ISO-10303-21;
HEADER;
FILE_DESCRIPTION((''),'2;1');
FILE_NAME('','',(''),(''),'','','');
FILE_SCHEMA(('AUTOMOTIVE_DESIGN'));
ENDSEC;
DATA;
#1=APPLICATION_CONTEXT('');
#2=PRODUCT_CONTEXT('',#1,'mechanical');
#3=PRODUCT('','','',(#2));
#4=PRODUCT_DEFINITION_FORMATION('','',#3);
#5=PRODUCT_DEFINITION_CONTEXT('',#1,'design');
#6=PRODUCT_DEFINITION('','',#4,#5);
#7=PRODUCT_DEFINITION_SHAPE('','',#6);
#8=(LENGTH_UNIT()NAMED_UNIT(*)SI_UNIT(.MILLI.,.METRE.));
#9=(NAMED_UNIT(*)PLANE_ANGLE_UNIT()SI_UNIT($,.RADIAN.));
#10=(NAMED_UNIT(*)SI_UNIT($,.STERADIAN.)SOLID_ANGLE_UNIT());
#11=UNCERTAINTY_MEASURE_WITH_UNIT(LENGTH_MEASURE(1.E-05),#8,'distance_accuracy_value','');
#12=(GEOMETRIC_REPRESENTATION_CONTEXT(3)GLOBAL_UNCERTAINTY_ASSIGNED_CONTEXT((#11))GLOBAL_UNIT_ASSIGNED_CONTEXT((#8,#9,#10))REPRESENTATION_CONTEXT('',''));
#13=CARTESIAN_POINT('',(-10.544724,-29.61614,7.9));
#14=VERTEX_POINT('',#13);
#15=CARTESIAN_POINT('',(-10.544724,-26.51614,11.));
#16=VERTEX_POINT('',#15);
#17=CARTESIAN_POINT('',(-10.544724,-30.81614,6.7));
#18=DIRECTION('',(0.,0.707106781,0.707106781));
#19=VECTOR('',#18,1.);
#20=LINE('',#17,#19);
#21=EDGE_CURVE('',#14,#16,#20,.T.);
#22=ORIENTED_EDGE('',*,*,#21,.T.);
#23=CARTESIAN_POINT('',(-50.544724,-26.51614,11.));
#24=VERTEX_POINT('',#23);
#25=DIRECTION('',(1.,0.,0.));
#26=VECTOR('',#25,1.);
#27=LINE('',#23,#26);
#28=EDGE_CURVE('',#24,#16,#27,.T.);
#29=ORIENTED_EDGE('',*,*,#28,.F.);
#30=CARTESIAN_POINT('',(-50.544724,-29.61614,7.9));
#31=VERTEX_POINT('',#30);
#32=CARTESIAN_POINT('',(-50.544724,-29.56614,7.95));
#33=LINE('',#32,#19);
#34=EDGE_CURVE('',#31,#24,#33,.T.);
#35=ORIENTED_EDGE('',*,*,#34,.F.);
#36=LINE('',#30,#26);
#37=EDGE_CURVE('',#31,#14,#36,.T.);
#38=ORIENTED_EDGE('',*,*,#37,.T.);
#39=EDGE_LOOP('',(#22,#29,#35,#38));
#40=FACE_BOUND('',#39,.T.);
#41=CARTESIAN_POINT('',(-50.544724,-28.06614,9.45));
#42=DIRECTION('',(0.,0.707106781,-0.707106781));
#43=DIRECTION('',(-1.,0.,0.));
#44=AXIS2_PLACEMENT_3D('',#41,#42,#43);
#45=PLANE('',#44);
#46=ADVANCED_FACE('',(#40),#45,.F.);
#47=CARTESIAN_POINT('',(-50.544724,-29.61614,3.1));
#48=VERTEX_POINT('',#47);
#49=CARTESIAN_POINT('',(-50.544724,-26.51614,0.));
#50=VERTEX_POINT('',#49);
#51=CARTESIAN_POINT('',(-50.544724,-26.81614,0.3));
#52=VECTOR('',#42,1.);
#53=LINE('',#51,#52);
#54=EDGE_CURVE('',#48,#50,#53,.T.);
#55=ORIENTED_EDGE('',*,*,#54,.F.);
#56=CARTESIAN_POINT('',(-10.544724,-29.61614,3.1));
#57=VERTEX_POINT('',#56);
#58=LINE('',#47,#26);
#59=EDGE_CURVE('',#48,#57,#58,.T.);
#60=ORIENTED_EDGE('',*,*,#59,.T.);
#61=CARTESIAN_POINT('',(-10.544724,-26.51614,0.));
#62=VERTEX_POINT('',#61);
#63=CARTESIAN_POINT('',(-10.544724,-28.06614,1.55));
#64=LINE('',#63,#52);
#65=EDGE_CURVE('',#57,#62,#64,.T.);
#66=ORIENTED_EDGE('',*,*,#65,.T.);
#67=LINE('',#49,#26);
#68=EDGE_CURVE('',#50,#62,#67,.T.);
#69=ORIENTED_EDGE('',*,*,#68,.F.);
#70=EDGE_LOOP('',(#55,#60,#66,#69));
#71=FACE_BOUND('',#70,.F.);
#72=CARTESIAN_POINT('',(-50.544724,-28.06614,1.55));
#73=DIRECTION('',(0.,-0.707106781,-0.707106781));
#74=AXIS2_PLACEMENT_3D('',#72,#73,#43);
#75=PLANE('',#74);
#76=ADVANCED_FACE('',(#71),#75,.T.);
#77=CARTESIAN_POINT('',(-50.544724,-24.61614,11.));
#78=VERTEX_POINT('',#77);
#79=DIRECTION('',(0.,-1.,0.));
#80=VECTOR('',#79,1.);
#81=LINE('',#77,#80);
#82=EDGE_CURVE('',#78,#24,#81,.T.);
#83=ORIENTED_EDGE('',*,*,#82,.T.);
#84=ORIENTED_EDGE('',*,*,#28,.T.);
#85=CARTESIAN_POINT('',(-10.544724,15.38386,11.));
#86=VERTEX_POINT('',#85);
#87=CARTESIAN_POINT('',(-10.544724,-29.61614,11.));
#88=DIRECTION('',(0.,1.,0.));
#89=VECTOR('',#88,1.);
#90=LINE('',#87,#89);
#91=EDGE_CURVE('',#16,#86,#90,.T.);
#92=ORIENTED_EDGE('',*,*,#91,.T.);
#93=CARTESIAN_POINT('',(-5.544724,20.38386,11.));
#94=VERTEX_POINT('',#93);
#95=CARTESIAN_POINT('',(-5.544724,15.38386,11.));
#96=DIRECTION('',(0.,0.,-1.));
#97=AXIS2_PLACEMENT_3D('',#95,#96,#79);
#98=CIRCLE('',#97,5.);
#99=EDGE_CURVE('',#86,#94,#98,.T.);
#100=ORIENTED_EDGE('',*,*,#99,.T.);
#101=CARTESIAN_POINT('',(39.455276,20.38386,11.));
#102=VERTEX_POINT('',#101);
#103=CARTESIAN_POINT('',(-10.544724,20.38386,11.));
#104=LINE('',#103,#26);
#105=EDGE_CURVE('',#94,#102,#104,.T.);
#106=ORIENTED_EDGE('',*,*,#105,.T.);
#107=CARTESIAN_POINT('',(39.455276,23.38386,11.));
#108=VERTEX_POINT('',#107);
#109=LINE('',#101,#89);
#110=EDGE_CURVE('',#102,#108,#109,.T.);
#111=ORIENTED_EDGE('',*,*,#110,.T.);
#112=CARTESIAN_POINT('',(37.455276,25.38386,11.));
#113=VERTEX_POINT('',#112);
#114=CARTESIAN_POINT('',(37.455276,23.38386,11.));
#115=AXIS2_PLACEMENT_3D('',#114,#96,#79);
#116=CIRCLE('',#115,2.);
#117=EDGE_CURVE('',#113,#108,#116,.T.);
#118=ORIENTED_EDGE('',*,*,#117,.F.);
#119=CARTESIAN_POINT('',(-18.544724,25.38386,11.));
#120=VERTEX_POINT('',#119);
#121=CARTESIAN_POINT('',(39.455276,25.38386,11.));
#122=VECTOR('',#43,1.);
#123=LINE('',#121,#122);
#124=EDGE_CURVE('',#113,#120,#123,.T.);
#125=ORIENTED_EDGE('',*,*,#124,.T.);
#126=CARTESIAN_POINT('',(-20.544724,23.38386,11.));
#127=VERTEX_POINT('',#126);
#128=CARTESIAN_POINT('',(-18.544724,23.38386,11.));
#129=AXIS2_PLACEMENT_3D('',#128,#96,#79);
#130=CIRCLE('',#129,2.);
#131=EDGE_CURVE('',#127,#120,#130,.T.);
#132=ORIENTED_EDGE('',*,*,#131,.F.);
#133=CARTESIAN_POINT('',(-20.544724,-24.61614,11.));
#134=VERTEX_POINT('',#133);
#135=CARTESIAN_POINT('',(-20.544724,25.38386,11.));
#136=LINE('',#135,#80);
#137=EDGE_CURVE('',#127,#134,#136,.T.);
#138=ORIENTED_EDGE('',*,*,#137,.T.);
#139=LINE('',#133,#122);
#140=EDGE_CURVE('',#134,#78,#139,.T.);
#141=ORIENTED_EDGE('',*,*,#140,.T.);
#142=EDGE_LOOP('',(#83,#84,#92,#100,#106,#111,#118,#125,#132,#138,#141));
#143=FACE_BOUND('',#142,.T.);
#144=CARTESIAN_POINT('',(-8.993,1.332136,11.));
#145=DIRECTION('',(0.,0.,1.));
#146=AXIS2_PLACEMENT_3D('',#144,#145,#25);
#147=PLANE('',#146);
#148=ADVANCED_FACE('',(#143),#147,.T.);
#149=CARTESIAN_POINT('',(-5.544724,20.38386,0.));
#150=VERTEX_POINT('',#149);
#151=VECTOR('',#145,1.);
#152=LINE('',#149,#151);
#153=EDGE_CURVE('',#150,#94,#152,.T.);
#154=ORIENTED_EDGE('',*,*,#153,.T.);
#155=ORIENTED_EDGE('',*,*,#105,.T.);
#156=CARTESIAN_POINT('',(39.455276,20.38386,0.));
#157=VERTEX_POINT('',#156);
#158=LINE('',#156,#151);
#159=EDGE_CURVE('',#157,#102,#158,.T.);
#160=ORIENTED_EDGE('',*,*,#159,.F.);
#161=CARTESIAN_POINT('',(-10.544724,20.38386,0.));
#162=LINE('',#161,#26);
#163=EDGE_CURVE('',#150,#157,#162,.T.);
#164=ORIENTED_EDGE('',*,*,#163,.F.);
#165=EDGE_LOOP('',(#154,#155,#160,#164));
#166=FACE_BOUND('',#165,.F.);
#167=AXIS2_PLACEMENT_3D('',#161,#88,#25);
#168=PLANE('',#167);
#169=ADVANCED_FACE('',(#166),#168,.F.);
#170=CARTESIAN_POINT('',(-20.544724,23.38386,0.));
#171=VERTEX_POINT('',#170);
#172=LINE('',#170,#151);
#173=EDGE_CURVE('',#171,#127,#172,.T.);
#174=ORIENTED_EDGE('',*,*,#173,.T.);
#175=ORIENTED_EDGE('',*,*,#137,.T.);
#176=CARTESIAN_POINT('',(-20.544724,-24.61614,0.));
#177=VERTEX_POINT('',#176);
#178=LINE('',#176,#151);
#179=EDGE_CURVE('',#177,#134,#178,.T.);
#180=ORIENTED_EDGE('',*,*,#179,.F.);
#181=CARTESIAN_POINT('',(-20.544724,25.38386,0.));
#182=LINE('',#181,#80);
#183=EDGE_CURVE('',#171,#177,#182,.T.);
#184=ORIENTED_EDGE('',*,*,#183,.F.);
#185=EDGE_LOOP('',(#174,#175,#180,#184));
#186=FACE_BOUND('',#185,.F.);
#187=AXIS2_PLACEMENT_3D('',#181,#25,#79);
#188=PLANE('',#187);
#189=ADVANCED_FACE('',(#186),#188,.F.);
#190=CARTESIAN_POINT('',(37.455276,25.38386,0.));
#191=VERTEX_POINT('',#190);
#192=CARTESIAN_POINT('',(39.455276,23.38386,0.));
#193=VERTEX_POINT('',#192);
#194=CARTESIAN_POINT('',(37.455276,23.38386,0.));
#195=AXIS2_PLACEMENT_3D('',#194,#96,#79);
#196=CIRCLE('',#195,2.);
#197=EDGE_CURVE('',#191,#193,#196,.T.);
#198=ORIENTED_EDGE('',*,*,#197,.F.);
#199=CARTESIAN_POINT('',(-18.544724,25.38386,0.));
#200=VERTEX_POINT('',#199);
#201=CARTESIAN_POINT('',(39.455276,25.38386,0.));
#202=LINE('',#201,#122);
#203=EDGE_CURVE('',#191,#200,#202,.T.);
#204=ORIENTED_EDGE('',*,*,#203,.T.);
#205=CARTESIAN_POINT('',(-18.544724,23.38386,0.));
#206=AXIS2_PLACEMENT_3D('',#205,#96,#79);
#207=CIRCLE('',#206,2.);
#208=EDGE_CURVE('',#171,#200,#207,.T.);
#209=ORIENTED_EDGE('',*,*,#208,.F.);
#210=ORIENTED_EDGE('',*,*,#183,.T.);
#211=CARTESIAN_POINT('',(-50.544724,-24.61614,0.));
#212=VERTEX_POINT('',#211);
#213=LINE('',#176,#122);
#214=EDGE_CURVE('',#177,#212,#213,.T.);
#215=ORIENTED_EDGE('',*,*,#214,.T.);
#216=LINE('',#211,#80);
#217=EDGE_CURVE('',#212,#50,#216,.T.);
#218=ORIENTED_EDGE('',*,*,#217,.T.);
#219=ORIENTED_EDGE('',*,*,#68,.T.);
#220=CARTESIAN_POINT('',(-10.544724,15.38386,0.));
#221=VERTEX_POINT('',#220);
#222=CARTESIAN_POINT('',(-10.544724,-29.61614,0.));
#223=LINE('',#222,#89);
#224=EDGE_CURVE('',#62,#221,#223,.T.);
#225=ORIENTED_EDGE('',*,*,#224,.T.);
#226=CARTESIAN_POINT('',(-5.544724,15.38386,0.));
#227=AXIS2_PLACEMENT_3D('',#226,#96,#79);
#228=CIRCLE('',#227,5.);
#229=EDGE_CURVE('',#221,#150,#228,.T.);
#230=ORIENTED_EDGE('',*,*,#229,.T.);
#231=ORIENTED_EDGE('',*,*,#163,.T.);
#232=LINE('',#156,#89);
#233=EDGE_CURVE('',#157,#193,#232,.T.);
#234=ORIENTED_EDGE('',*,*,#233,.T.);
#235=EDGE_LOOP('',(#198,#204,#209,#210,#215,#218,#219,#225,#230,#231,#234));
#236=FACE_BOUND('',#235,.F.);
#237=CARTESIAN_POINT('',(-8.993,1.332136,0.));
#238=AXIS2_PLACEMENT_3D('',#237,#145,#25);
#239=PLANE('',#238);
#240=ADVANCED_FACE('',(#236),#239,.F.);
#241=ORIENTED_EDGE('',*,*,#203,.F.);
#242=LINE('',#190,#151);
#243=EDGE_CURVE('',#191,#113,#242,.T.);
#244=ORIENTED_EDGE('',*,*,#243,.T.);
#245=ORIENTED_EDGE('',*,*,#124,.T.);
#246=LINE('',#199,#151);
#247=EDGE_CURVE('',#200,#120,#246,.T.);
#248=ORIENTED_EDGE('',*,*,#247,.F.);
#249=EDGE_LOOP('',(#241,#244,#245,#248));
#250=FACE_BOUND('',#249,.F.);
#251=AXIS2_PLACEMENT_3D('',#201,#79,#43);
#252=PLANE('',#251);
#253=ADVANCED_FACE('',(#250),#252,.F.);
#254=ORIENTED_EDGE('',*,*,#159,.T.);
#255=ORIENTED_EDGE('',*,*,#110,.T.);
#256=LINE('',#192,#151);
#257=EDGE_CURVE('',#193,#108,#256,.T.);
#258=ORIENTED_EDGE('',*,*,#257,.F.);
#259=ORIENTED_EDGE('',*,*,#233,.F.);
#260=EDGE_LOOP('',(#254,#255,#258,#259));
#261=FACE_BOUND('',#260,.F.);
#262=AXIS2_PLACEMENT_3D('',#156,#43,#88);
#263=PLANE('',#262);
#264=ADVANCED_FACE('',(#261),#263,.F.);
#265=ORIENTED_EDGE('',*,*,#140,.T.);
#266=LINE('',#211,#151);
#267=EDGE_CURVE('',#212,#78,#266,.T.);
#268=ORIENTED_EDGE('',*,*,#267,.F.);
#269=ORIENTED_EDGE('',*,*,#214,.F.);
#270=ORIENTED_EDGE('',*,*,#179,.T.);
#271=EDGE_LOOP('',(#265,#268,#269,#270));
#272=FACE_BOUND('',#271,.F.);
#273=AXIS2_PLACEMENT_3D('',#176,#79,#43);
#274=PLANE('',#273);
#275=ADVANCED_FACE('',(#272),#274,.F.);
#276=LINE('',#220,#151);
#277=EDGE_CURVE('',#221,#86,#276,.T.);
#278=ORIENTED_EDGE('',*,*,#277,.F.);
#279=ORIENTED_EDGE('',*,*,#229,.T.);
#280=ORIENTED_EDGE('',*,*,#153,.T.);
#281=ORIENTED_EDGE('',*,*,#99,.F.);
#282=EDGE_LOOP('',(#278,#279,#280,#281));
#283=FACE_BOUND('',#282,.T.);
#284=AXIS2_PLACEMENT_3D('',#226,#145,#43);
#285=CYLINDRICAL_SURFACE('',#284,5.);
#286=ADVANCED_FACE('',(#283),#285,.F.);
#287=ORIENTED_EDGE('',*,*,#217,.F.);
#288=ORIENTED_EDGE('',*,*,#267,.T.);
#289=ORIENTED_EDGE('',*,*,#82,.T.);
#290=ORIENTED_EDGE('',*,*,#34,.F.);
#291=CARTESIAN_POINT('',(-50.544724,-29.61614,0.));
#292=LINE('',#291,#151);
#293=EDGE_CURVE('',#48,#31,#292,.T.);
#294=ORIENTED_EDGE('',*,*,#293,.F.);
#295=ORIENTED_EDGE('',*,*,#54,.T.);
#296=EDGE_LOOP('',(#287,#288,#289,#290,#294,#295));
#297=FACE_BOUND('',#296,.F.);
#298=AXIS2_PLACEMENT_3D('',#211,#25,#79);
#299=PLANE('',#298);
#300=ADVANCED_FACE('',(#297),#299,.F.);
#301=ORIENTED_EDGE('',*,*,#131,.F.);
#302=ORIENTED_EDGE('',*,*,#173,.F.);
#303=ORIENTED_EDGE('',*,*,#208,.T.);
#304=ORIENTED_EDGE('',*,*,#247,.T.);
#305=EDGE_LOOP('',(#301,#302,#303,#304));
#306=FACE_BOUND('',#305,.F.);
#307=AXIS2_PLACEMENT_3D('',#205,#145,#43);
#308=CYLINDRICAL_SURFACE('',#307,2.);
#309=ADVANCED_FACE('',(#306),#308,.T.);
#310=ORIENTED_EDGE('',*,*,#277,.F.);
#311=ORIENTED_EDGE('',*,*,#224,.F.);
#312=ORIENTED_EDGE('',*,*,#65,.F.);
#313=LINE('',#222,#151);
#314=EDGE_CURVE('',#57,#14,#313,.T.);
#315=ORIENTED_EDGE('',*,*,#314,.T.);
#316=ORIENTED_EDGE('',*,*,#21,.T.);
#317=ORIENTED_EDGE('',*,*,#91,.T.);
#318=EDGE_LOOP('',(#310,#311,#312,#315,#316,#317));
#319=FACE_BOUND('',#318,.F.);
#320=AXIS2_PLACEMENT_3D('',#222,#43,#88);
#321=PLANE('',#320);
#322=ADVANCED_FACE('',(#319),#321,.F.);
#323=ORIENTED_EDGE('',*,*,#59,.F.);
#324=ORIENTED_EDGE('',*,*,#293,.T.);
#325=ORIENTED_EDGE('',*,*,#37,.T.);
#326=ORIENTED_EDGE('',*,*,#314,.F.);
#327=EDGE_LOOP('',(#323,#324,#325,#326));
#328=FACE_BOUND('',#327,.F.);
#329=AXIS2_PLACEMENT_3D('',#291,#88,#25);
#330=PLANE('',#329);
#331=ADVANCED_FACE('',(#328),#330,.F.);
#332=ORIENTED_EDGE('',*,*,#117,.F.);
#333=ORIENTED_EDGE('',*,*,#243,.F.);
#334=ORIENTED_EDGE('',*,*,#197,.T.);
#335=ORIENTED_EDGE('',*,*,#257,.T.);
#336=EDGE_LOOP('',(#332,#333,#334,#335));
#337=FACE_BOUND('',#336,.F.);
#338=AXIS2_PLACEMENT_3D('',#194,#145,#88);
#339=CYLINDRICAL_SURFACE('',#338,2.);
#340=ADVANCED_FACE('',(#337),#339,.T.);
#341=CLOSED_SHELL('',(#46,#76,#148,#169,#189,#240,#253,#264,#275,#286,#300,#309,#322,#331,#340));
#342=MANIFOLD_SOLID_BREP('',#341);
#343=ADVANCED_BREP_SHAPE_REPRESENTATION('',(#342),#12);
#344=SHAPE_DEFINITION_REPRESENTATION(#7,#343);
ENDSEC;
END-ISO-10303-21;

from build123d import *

# Parameters (mm, degrees)
PAD_DEPTH    = 11
CHAMFER_SIZE = 3.1
FILLET_R     = 2
FILLET001_R  = 5


with BuildPart() as part:
    # Sketch → Pad (new body)
    with BuildSketch(Plane.XY):
        Polygon((-50.544724, -24.61614), (-50.544724, -29.61614), (-10.544724, -29.61614), (-10.544724, 20.38386), (39.455276, 20.38386), (39.455276, 25.38386), (-20.544724, 25.38386), (-20.544724, -24.61614), align=None)
    extrude(amount=PAD_DEPTH)

    # Chamfer
    chamfer_edges = [part.edges().sort_by_distance(p)[0] for p in [
        (-30.544724, -29.61614, 0),
        (-30.544724, -29.61614, 11),
    ]]
    chamfer(chamfer_edges, length=CHAMFER_SIZE)

    # Fillet
    fillet_edges = [part.edges().sort_by_distance(p)[0] for p in [
        (39.455276, 25.38386, 5.5),
        (-20.544724, 25.38386, 5.5),
    ]]
    fillet(fillet_edges, radius=FILLET_R)

    # Fillet001
    fillet001_edges = [part.edges().sort_by_distance(p)[0] for p in [
        (-10.544724, 20.38386, 5.5),
    ]]
    fillet(fillet001_edges, radius=FILLET001_R)


solid = part.part
